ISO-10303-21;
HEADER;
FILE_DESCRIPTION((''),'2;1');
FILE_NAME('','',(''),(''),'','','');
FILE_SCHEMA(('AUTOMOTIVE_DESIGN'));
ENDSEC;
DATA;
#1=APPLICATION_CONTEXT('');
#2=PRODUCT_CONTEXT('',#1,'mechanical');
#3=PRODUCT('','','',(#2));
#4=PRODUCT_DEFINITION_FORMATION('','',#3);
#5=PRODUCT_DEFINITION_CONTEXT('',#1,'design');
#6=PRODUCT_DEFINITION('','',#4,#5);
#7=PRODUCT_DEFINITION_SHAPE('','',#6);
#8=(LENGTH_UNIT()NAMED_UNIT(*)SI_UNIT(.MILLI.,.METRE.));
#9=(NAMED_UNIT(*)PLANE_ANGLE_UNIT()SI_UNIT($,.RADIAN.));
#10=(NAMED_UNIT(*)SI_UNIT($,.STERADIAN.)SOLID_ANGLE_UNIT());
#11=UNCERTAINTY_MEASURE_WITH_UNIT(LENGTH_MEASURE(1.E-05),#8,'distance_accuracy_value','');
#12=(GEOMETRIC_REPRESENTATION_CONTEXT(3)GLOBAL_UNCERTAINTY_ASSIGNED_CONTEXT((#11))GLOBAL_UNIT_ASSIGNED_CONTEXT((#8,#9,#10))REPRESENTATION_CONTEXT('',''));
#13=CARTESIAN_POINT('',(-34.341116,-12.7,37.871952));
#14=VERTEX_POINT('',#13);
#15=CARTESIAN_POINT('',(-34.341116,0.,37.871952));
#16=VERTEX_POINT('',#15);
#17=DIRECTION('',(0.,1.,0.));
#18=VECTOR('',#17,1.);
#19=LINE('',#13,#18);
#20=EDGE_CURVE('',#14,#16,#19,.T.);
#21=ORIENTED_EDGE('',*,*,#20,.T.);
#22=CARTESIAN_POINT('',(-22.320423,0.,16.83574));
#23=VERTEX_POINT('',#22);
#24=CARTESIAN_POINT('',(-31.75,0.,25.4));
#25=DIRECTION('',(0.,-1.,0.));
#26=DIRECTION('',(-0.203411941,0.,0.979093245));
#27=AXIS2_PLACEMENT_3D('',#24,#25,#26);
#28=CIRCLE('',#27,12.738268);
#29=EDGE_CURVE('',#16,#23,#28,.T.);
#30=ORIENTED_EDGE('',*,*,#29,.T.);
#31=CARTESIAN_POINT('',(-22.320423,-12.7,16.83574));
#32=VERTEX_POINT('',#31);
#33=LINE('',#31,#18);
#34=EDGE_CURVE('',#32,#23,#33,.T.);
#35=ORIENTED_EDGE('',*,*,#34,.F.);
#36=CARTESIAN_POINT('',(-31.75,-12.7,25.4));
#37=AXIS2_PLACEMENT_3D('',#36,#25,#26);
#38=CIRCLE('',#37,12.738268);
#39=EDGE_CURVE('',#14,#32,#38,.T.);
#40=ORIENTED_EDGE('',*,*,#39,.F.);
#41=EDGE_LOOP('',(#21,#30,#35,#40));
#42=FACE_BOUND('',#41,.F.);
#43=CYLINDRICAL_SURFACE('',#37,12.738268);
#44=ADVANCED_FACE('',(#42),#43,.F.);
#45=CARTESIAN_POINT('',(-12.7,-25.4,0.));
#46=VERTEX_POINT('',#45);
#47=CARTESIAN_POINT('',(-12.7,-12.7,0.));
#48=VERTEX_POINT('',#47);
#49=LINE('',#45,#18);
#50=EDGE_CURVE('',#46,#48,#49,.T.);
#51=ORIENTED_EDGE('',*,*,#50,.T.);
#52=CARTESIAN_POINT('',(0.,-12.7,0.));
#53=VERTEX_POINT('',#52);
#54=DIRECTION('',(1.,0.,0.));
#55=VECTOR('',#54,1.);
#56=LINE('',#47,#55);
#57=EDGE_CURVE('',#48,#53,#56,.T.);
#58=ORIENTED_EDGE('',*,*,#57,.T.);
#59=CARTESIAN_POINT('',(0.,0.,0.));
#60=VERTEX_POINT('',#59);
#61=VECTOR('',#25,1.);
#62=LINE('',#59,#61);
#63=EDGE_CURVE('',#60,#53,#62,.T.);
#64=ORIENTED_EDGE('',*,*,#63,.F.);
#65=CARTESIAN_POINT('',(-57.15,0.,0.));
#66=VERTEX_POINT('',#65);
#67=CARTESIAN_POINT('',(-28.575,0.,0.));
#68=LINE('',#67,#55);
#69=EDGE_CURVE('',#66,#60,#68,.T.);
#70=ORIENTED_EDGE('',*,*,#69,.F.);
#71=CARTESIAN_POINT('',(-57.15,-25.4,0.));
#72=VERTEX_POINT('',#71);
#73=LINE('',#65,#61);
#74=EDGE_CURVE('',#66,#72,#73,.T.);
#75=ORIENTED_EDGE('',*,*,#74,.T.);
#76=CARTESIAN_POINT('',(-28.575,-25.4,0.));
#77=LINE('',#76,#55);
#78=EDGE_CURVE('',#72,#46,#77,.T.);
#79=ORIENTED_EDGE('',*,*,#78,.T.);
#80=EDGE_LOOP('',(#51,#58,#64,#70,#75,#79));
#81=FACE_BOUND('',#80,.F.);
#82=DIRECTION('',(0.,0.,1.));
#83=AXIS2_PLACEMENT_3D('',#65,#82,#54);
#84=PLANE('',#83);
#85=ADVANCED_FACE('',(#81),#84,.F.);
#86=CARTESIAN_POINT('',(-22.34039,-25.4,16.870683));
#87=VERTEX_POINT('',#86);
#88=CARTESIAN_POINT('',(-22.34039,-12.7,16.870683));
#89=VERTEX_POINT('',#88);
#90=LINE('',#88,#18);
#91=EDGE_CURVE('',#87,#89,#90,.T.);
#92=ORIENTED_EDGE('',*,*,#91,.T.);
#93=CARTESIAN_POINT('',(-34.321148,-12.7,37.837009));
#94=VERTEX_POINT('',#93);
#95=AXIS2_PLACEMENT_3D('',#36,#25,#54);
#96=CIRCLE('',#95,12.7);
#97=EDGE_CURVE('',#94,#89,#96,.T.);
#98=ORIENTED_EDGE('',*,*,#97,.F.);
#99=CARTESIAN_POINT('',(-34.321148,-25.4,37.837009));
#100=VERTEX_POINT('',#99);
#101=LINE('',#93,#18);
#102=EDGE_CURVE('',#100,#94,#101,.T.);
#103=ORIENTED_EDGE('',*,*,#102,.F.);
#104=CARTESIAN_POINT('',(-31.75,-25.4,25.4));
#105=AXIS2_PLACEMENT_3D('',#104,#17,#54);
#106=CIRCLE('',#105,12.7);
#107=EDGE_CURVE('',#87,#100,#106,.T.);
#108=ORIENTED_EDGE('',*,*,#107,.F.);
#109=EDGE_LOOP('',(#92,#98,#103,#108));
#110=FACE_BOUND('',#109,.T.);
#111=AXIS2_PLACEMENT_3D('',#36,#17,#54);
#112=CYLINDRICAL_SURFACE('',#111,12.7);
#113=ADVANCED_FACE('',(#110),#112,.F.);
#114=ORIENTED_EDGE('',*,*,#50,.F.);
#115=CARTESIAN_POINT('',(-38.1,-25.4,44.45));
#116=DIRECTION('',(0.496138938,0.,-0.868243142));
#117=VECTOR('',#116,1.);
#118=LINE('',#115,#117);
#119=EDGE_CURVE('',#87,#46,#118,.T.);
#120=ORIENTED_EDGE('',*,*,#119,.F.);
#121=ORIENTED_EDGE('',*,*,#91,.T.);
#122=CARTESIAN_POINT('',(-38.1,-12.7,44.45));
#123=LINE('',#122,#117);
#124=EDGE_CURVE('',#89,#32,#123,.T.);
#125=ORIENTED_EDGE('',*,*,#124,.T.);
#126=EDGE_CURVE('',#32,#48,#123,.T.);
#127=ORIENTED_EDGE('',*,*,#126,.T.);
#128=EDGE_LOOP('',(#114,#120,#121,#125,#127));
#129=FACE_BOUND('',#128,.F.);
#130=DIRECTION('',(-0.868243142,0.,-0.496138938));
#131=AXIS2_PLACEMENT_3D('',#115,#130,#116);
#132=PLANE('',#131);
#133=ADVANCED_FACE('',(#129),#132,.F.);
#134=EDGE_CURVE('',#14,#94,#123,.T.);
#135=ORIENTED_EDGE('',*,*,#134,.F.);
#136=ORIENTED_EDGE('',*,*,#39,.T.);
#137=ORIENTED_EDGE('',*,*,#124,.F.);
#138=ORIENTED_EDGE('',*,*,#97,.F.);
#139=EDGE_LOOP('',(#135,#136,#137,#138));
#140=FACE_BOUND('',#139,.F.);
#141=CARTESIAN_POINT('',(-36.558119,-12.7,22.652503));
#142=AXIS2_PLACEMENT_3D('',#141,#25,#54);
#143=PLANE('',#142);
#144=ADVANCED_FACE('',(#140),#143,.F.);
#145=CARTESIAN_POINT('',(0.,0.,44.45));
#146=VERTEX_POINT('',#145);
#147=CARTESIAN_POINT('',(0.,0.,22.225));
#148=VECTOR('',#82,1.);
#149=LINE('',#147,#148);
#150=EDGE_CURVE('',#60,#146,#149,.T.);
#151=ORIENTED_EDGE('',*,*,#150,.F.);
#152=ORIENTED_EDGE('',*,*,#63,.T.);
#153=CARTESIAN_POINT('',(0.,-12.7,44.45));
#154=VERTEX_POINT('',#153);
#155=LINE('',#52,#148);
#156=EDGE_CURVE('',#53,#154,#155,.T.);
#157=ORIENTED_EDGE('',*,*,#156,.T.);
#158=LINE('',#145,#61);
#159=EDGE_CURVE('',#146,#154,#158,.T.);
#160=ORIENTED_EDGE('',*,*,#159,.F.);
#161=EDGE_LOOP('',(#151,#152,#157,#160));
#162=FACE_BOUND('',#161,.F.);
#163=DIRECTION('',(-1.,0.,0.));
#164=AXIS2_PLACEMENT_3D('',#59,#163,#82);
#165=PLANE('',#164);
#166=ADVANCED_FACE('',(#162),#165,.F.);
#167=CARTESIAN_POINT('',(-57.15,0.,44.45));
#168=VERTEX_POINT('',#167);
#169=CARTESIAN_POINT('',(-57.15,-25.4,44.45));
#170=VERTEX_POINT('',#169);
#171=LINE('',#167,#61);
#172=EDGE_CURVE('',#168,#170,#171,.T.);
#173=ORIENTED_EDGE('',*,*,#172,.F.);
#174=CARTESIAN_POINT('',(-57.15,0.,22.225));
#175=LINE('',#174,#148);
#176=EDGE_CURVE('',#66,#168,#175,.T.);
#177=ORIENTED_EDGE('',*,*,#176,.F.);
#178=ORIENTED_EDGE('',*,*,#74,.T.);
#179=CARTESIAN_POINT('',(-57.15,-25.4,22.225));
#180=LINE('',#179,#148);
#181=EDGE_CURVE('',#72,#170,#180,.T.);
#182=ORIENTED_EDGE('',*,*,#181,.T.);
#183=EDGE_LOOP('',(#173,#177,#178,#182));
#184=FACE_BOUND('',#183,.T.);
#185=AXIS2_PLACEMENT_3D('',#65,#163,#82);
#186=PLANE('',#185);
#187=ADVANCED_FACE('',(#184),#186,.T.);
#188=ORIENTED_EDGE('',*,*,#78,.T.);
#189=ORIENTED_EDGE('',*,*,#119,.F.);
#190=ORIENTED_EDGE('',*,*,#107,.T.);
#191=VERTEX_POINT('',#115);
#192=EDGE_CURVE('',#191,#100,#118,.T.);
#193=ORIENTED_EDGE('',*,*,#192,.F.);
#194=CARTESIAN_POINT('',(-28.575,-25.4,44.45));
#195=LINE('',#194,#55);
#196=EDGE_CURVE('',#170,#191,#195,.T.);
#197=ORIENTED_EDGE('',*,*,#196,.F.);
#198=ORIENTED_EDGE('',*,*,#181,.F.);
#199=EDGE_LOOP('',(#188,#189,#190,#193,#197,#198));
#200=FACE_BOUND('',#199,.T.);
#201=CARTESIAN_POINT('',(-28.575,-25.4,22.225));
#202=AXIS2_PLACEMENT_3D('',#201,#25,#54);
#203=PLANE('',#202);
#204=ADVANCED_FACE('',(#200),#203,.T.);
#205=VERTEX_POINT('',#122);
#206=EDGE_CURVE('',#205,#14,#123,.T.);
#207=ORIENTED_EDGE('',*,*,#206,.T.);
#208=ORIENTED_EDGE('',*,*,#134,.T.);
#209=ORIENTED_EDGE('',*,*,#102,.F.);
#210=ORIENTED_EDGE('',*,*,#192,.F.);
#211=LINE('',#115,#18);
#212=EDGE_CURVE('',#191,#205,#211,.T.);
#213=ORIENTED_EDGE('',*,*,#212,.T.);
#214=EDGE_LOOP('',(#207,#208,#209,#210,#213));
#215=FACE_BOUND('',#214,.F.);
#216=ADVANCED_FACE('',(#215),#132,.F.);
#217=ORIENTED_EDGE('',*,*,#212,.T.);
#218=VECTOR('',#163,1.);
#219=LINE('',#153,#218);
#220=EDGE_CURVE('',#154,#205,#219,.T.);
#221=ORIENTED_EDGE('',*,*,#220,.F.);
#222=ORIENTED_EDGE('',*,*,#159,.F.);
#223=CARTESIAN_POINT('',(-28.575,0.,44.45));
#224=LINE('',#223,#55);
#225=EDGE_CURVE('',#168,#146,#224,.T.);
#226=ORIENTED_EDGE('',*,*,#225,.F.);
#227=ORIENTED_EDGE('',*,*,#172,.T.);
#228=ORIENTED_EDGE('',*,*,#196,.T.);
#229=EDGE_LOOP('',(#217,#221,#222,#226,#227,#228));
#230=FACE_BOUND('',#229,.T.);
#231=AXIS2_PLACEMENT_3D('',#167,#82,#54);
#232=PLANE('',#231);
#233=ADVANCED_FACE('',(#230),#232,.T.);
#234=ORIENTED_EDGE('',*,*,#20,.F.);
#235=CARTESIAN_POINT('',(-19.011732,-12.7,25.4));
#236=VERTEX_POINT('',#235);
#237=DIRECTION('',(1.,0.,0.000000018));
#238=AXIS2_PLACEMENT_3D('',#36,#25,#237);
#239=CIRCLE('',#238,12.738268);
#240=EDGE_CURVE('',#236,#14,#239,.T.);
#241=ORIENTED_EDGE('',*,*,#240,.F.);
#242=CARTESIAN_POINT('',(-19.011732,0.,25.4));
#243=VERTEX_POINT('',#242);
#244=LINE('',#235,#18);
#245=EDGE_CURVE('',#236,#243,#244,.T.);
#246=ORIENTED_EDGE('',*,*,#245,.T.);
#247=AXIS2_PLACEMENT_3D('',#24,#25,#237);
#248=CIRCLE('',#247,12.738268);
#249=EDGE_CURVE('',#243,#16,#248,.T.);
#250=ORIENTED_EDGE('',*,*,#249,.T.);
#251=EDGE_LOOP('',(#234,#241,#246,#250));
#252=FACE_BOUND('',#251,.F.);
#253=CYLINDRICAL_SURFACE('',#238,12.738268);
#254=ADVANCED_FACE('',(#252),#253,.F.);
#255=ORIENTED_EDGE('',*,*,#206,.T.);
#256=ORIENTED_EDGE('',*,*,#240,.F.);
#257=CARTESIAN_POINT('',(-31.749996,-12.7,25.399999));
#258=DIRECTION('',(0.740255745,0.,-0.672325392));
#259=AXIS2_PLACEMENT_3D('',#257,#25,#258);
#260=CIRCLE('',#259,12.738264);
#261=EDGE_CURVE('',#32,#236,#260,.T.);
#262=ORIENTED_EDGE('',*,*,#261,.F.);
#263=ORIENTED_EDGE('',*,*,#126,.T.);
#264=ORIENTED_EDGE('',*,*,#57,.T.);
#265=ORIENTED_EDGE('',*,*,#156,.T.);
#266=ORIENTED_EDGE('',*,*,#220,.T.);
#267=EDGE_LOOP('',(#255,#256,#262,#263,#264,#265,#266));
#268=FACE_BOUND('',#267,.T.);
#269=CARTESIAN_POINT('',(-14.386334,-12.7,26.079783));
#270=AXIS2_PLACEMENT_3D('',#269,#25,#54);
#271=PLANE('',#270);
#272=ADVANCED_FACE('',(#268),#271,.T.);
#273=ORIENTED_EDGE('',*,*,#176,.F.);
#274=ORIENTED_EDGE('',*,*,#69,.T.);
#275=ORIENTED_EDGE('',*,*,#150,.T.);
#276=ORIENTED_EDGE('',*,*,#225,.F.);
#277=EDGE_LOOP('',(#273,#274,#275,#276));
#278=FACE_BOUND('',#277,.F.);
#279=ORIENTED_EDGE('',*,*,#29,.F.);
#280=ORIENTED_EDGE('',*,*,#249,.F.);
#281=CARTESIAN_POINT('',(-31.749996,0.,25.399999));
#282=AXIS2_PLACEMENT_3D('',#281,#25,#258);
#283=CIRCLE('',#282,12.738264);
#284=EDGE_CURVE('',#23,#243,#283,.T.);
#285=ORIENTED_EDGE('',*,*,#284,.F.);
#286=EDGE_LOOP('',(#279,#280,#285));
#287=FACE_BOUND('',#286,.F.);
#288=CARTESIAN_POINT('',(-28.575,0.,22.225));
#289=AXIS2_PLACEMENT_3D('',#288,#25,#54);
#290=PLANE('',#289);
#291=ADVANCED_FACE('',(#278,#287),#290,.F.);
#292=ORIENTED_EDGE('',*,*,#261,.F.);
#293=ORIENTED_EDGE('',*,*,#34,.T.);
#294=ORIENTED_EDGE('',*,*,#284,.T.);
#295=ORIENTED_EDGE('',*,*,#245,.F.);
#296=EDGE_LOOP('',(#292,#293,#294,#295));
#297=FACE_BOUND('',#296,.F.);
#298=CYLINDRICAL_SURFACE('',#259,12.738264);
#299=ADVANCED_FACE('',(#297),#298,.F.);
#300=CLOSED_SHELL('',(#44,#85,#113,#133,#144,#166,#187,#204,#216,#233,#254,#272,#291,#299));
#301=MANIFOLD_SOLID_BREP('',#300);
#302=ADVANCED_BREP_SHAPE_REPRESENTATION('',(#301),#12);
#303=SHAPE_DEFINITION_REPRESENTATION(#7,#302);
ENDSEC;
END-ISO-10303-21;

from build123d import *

# Parameters (mm, degrees)
F0_W     = 57.15
F0_H     = 44.45
F1_DEPTH = 25.4
F3_DEPTH = 12.7
F4_R     = 12.7
F5_DEPTH = 12.701
F7_DEPTH = 25.4


with BuildPart() as f1:
    # F0 (on Front) → F1 (new body)
    with BuildSketch(Plane.XZ):
        with Locations((-28.575, 22.225)):
            Rectangle(F0_W, F0_H)
    extrude(amount=F1_DEPTH)

    # F2 (on face) → F3 (cut)
    with BuildSketch(Plane.XZ.offset(25.4)):
        Polygon((0, 44.45), (-38.1, 44.45), (-12.7, 0), (0, 0), align=None)
    extrude(amount=-F3_DEPTH, mode=Mode.SUBTRACT)

    # F4 (on face) → F5 (cut, through all)
    with BuildSketch(Plane.XZ.offset(12.7)):
        with Locations((-31.75, 25.4)):
            Circle(F4_R)
    extrude(amount=F5_DEPTH, mode=Mode.SUBTRACT)

    # F6 (on face) → F7 (cut)
    with BuildSketch(Plane.XZ.offset(12.7)):
        with BuildLine():
            Line((-34.321148, 37.837009), (-34.341116, 37.871952))
            ThreePointArc((-34.341116, 37.871952), (-42.809914, 19.080049), (-22.320423, 16.83574))
            Line((-22.320423, 16.83574), (-22.34039, 16.870683))
            ThreePointArc((-22.34039, 16.870683), (-42.776688, 19.099035), (-34.321148, 37.837009))
        make_face()
        with BuildLine():
            ThreePointArc((-22.320423, 16.83574), (-19.867661, 20.809412), (-19.011732, 25.4))
            ThreePointArc((-19.011732, 25.4), (-23.71081, 35.281037), (-34.341116, 37.871952))
            Line((-34.341116, 37.871952), (-34.321148, 37.837009))
            ThreePointArc((-34.321148, 37.837009), (-42.776688, 19.099035), (-22.34039, 16.870683))
            Line((-22.34039, 16.870683), (-22.320423, 16.83574))
        make_face()
    extrude(amount=-F7_DEPTH, mode=Mode.SUBTRACT)


solid = f1.part
